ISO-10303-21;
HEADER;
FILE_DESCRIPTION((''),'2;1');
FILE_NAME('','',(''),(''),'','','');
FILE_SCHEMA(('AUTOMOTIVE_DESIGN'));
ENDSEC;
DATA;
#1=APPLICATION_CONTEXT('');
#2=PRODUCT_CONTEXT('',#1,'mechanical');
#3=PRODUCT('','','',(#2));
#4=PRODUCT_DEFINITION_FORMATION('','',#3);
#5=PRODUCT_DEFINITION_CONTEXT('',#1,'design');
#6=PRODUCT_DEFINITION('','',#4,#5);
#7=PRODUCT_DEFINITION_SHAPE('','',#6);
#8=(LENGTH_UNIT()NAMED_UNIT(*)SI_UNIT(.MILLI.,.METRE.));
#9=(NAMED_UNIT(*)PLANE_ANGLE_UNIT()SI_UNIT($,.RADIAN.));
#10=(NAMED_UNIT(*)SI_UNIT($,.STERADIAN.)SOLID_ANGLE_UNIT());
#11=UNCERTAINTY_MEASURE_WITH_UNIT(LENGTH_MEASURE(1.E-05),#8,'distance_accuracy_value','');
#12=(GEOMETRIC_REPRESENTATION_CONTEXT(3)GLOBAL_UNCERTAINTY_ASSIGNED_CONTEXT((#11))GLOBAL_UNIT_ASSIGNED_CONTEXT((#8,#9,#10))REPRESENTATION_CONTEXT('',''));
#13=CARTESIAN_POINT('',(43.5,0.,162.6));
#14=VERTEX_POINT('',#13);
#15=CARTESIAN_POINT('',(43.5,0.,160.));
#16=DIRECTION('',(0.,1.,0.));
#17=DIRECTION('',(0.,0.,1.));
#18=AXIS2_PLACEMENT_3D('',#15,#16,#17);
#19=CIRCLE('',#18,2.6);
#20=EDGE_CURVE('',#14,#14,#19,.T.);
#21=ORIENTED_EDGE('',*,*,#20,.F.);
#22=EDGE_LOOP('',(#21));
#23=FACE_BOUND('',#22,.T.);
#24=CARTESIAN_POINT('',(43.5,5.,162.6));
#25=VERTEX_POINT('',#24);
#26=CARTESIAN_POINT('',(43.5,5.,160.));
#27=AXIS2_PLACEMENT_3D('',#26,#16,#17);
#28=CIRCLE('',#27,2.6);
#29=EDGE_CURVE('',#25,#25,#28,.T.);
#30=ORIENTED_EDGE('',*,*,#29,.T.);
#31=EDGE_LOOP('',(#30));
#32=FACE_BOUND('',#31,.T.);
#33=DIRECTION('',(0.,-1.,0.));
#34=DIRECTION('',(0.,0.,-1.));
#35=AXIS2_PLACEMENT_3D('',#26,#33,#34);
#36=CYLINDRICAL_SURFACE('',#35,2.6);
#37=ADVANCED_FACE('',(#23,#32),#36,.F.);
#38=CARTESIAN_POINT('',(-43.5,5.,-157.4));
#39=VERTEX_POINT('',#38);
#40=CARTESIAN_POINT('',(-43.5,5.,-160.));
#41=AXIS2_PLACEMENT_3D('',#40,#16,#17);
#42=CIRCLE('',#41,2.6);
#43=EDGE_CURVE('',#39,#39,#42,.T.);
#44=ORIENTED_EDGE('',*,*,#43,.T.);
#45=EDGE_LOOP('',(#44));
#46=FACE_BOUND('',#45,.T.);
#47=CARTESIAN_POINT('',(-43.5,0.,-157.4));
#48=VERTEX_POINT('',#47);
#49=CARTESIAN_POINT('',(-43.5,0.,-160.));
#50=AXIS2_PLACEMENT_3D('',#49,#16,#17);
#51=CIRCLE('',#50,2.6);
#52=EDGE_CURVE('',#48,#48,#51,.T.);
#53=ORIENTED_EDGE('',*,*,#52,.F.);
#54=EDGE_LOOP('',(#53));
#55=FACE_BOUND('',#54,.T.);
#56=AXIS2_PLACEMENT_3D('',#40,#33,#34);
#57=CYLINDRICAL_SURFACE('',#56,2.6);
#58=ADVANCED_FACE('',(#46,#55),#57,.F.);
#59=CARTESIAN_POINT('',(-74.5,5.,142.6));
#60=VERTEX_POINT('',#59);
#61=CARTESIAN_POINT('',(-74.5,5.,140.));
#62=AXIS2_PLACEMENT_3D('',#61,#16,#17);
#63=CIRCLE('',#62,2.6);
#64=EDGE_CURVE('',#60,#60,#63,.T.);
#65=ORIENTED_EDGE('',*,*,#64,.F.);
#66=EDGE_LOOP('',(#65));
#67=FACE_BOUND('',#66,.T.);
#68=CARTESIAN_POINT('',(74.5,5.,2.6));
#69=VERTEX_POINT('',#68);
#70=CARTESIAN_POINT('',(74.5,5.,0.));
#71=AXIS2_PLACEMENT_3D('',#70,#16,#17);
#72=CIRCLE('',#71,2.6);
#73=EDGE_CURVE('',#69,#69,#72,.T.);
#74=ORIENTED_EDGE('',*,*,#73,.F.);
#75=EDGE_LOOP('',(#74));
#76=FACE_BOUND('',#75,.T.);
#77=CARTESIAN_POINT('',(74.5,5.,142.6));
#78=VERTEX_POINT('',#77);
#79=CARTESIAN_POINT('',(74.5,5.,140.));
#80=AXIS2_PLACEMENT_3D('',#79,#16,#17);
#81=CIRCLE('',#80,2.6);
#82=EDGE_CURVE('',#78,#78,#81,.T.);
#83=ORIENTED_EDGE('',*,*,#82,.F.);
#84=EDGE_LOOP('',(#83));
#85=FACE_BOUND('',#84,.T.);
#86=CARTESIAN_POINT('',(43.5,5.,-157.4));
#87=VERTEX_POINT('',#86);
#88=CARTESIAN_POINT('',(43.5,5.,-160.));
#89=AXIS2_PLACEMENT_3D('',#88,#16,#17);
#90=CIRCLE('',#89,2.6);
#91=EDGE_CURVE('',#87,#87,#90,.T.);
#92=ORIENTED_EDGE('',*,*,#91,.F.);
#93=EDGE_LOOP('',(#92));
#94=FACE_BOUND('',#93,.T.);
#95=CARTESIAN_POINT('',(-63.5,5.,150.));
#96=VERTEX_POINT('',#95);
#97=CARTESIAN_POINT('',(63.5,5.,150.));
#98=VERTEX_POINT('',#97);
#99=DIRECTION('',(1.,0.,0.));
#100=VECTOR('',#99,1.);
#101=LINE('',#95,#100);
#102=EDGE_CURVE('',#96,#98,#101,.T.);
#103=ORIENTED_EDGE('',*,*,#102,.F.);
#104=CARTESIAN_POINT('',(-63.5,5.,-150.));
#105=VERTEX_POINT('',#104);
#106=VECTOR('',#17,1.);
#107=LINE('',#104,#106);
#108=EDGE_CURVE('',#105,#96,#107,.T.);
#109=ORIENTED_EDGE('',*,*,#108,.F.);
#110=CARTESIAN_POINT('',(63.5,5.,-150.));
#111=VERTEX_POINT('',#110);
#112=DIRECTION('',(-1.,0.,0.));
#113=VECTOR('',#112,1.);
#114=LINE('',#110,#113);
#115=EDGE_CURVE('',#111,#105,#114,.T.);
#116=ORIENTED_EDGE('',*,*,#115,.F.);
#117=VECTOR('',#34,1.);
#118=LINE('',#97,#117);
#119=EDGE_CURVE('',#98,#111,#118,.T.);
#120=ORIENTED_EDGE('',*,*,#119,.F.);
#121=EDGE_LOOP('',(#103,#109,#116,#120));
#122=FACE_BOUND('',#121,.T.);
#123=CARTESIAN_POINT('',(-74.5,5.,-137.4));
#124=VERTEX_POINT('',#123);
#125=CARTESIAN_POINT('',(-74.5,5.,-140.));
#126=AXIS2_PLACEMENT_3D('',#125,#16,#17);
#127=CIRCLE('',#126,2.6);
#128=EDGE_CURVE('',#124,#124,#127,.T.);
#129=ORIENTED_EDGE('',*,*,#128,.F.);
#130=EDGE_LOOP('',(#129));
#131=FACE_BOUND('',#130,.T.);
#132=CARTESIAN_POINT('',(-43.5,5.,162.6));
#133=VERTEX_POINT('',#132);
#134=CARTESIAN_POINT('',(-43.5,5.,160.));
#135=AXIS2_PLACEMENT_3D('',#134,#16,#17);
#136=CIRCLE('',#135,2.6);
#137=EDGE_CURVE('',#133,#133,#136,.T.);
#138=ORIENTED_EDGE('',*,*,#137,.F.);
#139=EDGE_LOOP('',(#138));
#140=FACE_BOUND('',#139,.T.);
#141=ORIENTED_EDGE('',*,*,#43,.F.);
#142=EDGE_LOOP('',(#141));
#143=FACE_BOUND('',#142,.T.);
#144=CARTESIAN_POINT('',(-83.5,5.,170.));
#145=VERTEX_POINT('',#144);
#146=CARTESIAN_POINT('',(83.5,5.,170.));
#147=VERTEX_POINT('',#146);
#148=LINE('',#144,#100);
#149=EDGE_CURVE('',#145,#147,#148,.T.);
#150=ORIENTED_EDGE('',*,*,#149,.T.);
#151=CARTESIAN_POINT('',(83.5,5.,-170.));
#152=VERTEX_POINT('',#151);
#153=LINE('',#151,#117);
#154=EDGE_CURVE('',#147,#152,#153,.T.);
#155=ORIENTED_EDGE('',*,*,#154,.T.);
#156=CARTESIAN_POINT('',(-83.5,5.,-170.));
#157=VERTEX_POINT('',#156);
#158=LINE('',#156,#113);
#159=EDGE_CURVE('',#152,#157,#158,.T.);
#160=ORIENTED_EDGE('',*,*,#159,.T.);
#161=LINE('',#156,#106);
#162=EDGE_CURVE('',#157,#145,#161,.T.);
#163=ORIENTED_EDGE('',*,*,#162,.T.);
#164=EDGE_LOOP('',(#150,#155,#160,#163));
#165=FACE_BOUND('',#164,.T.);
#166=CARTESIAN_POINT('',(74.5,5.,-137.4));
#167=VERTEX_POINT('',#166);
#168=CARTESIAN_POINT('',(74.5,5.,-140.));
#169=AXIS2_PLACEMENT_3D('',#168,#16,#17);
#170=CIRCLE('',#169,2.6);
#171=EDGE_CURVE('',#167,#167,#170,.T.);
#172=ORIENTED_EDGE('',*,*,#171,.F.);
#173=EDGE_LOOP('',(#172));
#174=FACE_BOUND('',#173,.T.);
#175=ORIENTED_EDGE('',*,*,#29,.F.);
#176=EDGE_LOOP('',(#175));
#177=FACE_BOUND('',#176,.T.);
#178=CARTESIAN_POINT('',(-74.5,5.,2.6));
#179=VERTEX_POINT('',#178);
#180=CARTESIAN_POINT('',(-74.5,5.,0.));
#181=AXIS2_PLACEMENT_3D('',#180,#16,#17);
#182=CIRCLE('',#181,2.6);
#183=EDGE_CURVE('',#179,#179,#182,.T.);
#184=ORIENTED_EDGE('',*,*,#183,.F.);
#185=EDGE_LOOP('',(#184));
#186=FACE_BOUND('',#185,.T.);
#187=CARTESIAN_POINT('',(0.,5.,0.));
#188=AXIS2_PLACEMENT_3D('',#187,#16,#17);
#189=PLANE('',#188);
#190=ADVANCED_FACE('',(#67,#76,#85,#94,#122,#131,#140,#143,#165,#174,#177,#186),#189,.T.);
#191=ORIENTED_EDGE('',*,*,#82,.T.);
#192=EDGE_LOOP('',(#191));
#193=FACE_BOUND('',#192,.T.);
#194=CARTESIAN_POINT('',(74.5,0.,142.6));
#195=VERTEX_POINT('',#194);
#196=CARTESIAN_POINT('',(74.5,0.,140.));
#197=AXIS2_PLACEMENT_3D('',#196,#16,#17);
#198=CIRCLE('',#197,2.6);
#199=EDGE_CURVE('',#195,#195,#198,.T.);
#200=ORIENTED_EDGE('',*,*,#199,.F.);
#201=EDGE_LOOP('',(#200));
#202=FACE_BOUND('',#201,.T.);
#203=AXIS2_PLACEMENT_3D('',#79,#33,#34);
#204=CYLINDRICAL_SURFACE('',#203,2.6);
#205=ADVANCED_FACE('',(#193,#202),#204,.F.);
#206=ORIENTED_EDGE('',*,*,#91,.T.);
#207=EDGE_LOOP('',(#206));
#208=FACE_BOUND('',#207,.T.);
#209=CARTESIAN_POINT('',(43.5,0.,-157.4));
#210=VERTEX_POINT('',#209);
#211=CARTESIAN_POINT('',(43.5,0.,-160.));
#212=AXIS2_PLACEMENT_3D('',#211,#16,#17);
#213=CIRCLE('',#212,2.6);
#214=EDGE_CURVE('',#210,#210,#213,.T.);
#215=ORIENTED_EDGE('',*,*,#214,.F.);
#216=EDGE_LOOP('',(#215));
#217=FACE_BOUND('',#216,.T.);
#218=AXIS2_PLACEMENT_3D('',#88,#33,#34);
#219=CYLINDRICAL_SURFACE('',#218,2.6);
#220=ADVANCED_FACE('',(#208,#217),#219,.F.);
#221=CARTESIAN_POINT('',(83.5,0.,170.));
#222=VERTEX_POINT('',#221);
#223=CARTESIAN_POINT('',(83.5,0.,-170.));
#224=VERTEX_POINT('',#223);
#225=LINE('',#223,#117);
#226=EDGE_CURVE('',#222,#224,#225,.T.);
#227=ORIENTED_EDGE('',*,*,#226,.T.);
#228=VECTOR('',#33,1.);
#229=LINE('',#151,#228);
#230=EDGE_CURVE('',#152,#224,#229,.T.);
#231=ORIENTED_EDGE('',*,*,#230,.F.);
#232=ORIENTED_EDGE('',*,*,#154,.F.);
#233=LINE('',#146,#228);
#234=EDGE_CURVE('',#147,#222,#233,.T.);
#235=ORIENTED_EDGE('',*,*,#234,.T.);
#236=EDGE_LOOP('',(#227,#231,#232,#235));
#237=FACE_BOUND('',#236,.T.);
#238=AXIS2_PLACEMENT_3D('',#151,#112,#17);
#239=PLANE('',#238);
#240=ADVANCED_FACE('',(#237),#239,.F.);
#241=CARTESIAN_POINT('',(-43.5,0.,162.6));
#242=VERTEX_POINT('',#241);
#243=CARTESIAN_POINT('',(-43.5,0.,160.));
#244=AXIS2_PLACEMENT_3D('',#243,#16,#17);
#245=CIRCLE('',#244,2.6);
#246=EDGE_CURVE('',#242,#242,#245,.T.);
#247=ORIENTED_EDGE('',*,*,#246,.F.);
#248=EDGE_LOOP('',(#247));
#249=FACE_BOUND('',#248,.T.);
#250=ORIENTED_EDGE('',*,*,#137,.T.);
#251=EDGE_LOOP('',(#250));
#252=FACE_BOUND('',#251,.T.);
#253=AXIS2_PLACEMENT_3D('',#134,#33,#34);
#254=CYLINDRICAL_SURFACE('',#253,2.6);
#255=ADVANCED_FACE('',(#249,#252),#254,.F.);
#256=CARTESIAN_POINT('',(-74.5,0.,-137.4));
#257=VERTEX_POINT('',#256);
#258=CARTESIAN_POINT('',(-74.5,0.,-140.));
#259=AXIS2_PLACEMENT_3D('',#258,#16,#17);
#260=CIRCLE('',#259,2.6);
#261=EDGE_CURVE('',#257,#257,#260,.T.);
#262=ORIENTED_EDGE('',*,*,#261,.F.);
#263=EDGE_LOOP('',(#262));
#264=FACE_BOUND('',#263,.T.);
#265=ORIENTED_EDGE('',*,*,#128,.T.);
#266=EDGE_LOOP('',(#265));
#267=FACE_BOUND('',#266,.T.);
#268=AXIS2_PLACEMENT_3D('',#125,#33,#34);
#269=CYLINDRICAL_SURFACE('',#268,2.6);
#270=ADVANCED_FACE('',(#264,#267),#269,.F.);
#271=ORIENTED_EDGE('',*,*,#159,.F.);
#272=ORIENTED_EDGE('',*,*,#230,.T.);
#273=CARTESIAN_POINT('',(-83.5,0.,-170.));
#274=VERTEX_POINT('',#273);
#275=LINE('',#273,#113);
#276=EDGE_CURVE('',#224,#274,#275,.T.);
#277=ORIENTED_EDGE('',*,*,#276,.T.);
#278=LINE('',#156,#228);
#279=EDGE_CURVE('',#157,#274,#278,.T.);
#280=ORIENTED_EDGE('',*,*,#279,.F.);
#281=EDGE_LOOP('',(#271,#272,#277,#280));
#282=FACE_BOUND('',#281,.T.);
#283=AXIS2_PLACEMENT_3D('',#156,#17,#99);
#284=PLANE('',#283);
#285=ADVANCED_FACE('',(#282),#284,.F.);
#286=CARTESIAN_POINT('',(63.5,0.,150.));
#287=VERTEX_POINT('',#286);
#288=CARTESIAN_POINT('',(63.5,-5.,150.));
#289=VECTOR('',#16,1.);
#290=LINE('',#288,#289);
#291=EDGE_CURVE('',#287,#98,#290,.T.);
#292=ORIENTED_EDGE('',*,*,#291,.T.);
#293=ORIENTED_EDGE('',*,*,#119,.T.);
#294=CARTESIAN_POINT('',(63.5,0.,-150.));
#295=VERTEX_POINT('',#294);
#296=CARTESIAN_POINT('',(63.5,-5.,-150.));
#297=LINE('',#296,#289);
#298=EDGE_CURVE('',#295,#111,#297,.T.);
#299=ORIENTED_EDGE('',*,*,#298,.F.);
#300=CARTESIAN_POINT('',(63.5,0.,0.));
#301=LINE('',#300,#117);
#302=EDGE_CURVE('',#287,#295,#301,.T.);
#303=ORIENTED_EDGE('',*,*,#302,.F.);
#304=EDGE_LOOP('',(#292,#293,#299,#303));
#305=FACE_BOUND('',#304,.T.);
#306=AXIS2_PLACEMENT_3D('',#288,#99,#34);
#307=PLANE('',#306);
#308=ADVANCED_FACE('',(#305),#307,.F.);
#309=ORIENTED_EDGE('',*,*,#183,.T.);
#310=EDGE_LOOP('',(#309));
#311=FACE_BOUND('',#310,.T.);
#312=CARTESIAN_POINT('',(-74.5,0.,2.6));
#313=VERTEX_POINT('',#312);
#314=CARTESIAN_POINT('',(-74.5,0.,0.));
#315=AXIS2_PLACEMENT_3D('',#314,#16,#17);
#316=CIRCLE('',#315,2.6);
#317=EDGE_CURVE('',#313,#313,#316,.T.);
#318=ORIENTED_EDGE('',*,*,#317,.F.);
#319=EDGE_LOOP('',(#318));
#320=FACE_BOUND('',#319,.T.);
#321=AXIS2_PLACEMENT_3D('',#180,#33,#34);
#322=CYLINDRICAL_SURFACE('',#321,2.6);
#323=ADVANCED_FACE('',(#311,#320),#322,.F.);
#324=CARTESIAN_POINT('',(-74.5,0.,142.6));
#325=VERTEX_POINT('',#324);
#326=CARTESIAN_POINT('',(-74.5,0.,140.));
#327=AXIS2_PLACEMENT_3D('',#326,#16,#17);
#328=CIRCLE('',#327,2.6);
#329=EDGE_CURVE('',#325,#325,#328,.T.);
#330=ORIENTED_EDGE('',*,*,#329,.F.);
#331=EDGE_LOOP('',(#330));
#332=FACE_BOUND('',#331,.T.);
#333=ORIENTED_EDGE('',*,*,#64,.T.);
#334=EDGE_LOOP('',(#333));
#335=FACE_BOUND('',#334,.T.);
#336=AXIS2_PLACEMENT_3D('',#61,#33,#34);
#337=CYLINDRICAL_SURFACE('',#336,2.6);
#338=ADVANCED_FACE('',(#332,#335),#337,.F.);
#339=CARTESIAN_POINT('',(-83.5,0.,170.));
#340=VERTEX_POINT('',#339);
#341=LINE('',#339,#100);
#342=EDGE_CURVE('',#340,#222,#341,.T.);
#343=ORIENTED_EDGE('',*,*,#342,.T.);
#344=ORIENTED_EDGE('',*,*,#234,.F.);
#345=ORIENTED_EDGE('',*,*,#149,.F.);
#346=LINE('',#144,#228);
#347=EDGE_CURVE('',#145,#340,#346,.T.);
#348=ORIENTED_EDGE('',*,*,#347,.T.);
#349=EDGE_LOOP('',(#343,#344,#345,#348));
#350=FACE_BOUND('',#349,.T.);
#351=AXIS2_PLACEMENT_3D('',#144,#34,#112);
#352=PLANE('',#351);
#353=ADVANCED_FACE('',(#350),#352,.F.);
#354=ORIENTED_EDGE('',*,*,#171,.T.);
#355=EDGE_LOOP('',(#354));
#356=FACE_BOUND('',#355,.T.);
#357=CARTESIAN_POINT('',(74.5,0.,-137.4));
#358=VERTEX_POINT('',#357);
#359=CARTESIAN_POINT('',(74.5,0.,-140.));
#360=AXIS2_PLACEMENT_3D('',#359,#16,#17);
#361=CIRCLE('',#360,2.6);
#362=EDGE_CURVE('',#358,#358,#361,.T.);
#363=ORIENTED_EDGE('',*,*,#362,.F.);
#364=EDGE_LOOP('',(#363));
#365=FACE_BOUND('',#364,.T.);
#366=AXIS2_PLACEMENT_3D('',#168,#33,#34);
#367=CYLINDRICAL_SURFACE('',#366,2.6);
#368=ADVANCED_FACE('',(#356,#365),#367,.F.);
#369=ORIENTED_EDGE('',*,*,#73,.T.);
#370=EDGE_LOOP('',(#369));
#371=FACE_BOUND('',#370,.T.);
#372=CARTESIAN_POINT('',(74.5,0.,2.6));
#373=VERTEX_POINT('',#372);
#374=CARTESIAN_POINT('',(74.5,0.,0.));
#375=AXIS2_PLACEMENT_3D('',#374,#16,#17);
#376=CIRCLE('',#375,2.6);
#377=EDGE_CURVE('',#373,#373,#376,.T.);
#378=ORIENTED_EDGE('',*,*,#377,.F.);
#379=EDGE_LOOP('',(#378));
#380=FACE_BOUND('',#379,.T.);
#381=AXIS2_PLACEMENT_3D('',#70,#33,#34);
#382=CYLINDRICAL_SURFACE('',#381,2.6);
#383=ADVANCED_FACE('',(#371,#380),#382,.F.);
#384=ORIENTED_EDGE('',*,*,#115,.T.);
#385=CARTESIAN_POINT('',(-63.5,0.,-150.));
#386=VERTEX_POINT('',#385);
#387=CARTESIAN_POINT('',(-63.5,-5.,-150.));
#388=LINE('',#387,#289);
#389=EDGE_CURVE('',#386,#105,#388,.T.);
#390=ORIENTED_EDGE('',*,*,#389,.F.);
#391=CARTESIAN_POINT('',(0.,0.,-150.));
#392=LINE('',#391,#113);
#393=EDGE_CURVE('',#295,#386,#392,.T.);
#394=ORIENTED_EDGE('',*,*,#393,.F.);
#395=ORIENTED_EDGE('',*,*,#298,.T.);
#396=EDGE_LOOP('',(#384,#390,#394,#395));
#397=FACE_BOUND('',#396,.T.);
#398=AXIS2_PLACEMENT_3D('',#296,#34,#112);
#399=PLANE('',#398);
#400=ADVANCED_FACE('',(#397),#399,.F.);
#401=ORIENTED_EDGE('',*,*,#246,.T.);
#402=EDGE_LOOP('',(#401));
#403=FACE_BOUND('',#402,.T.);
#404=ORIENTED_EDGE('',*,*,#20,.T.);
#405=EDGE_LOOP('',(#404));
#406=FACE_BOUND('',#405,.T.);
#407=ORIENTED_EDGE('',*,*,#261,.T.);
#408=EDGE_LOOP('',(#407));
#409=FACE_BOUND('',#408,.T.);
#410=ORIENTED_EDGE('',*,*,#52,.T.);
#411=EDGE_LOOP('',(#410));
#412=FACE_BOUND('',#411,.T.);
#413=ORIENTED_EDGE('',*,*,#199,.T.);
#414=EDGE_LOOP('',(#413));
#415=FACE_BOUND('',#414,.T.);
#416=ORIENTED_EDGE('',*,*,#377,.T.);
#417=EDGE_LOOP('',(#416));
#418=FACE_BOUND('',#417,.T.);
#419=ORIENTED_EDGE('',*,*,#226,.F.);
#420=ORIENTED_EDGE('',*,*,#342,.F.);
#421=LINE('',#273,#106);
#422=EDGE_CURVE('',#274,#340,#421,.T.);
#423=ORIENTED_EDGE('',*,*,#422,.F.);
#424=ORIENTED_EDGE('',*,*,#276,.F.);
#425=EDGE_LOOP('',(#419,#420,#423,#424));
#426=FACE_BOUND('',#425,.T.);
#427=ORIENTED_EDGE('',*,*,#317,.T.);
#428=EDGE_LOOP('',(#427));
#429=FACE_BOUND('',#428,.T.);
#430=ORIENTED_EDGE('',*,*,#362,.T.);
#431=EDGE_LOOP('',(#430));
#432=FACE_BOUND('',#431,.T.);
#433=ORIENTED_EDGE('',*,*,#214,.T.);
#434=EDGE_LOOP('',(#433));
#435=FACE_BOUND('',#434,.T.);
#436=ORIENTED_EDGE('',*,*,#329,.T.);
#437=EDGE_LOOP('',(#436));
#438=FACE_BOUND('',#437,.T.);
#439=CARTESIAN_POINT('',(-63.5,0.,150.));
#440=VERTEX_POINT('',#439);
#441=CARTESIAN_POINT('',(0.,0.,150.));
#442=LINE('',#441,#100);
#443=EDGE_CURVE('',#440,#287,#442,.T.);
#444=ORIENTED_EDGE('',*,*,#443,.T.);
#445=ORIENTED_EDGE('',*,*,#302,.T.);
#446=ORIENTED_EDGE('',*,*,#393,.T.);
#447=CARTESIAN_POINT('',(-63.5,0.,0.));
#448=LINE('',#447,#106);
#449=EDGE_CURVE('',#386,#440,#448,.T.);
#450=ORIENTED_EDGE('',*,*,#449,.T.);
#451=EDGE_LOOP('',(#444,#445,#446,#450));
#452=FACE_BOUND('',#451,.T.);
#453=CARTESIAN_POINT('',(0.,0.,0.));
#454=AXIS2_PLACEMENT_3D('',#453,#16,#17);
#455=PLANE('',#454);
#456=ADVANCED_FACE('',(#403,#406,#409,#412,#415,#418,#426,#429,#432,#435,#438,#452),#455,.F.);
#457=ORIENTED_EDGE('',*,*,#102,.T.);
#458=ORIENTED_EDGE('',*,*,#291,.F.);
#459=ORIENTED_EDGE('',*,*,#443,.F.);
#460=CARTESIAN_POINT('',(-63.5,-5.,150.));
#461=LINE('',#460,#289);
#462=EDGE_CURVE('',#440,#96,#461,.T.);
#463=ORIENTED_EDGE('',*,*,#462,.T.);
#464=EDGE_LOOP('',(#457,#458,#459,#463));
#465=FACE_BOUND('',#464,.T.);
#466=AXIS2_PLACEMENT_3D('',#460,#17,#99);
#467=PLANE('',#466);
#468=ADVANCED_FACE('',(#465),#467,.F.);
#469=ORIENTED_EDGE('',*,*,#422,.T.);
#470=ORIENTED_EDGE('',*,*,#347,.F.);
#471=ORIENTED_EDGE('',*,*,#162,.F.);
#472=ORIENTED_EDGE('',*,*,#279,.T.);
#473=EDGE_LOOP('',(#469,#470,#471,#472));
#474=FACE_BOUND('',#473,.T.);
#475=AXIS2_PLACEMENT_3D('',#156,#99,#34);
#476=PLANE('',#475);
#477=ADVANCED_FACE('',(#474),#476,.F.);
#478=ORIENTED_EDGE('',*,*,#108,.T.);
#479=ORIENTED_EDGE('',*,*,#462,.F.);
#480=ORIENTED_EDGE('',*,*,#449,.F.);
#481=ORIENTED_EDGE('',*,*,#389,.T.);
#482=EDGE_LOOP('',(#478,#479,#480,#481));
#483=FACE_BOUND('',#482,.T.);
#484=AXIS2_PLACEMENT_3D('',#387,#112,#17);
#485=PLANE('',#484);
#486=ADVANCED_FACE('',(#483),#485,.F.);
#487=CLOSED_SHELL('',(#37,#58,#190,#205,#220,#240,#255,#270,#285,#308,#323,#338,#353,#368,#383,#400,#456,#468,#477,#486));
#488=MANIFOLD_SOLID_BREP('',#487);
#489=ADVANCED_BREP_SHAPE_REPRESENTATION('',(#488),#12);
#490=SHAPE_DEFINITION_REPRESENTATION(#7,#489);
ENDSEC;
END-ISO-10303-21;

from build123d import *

# Parameters (mm, degrees)
CROQUIS1_W              = 167
CROQUIS1_H              = 340
CROQUIS1_R              = 2.6
SALIENTE_EXTRUIR1_DEPTH = 5
SKETCH1_W               = 127
SKETCH1_H               = 300
CUT_EXTRUDE1_DEPTH      = 10


with BuildPart() as part:
    # Croquis1 → Saliente-Extruir1 (new body)
    with BuildSketch(Plane(origin=(0, 0, 0), x_dir=(1, 0, 0), z_dir=(0, 1, 0))):
        Rectangle(CROQUIS1_W, CROQUIS1_H)
        with Locations(Location((-74.5, 140, 0), (0, 0, 270))):
            Circle(CROQUIS1_R, mode=Mode.SUBTRACT)
        with Locations(Location((-74.5, 0, 0), (0, 0, 270))):
            Circle(CROQUIS1_R, mode=Mode.SUBTRACT)
        with Locations(Location((-74.5, -140, 0), (0, 0, 270))):
            Circle(CROQUIS1_R, mode=Mode.SUBTRACT)
        with Locations(Location((74.5, 140, 0), (0, 0, 270))):
            Circle(CROQUIS1_R, mode=Mode.SUBTRACT)
        with Locations(Location((74.5, -140, 0), (0, 0, 270))):
            Circle(CROQUIS1_R, mode=Mode.SUBTRACT)
        with Locations(Location((74.5, 0, 0), (0, 0, 270))):
            Circle(CROQUIS1_R, mode=Mode.SUBTRACT)
        with Locations(Location((-43.5, 160, 0), (0, 0, 270))):
            Circle(CROQUIS1_R, mode=Mode.SUBTRACT)
        with Locations(Location((43.5, 160, 0), (0, 0, 270))):
            Circle(CROQUIS1_R, mode=Mode.SUBTRACT)
        with Locations(Location((-43.5, -160, 0), (0, 0, 270))):
            Circle(CROQUIS1_R, mode=Mode.SUBTRACT)
        with Locations(Location((43.5, -160, 0), (0, 0, 270))):
            Circle(CROQUIS1_R, mode=Mode.SUBTRACT)
    extrude(amount=SALIENTE_EXTRUIR1_DEPTH)

    # Sketch1 → Cut-Extrude1 (cut)
    with BuildSketch(Plane(origin=(0, 5, 0), x_dir=(1, 0, 0), z_dir=(0, 1, 0))):
        Rectangle(SKETCH1_W, SKETCH1_H)
    extrude(amount=-CUT_EXTRUDE1_DEPTH, mode=Mode.SUBTRACT)


solid = part.part
